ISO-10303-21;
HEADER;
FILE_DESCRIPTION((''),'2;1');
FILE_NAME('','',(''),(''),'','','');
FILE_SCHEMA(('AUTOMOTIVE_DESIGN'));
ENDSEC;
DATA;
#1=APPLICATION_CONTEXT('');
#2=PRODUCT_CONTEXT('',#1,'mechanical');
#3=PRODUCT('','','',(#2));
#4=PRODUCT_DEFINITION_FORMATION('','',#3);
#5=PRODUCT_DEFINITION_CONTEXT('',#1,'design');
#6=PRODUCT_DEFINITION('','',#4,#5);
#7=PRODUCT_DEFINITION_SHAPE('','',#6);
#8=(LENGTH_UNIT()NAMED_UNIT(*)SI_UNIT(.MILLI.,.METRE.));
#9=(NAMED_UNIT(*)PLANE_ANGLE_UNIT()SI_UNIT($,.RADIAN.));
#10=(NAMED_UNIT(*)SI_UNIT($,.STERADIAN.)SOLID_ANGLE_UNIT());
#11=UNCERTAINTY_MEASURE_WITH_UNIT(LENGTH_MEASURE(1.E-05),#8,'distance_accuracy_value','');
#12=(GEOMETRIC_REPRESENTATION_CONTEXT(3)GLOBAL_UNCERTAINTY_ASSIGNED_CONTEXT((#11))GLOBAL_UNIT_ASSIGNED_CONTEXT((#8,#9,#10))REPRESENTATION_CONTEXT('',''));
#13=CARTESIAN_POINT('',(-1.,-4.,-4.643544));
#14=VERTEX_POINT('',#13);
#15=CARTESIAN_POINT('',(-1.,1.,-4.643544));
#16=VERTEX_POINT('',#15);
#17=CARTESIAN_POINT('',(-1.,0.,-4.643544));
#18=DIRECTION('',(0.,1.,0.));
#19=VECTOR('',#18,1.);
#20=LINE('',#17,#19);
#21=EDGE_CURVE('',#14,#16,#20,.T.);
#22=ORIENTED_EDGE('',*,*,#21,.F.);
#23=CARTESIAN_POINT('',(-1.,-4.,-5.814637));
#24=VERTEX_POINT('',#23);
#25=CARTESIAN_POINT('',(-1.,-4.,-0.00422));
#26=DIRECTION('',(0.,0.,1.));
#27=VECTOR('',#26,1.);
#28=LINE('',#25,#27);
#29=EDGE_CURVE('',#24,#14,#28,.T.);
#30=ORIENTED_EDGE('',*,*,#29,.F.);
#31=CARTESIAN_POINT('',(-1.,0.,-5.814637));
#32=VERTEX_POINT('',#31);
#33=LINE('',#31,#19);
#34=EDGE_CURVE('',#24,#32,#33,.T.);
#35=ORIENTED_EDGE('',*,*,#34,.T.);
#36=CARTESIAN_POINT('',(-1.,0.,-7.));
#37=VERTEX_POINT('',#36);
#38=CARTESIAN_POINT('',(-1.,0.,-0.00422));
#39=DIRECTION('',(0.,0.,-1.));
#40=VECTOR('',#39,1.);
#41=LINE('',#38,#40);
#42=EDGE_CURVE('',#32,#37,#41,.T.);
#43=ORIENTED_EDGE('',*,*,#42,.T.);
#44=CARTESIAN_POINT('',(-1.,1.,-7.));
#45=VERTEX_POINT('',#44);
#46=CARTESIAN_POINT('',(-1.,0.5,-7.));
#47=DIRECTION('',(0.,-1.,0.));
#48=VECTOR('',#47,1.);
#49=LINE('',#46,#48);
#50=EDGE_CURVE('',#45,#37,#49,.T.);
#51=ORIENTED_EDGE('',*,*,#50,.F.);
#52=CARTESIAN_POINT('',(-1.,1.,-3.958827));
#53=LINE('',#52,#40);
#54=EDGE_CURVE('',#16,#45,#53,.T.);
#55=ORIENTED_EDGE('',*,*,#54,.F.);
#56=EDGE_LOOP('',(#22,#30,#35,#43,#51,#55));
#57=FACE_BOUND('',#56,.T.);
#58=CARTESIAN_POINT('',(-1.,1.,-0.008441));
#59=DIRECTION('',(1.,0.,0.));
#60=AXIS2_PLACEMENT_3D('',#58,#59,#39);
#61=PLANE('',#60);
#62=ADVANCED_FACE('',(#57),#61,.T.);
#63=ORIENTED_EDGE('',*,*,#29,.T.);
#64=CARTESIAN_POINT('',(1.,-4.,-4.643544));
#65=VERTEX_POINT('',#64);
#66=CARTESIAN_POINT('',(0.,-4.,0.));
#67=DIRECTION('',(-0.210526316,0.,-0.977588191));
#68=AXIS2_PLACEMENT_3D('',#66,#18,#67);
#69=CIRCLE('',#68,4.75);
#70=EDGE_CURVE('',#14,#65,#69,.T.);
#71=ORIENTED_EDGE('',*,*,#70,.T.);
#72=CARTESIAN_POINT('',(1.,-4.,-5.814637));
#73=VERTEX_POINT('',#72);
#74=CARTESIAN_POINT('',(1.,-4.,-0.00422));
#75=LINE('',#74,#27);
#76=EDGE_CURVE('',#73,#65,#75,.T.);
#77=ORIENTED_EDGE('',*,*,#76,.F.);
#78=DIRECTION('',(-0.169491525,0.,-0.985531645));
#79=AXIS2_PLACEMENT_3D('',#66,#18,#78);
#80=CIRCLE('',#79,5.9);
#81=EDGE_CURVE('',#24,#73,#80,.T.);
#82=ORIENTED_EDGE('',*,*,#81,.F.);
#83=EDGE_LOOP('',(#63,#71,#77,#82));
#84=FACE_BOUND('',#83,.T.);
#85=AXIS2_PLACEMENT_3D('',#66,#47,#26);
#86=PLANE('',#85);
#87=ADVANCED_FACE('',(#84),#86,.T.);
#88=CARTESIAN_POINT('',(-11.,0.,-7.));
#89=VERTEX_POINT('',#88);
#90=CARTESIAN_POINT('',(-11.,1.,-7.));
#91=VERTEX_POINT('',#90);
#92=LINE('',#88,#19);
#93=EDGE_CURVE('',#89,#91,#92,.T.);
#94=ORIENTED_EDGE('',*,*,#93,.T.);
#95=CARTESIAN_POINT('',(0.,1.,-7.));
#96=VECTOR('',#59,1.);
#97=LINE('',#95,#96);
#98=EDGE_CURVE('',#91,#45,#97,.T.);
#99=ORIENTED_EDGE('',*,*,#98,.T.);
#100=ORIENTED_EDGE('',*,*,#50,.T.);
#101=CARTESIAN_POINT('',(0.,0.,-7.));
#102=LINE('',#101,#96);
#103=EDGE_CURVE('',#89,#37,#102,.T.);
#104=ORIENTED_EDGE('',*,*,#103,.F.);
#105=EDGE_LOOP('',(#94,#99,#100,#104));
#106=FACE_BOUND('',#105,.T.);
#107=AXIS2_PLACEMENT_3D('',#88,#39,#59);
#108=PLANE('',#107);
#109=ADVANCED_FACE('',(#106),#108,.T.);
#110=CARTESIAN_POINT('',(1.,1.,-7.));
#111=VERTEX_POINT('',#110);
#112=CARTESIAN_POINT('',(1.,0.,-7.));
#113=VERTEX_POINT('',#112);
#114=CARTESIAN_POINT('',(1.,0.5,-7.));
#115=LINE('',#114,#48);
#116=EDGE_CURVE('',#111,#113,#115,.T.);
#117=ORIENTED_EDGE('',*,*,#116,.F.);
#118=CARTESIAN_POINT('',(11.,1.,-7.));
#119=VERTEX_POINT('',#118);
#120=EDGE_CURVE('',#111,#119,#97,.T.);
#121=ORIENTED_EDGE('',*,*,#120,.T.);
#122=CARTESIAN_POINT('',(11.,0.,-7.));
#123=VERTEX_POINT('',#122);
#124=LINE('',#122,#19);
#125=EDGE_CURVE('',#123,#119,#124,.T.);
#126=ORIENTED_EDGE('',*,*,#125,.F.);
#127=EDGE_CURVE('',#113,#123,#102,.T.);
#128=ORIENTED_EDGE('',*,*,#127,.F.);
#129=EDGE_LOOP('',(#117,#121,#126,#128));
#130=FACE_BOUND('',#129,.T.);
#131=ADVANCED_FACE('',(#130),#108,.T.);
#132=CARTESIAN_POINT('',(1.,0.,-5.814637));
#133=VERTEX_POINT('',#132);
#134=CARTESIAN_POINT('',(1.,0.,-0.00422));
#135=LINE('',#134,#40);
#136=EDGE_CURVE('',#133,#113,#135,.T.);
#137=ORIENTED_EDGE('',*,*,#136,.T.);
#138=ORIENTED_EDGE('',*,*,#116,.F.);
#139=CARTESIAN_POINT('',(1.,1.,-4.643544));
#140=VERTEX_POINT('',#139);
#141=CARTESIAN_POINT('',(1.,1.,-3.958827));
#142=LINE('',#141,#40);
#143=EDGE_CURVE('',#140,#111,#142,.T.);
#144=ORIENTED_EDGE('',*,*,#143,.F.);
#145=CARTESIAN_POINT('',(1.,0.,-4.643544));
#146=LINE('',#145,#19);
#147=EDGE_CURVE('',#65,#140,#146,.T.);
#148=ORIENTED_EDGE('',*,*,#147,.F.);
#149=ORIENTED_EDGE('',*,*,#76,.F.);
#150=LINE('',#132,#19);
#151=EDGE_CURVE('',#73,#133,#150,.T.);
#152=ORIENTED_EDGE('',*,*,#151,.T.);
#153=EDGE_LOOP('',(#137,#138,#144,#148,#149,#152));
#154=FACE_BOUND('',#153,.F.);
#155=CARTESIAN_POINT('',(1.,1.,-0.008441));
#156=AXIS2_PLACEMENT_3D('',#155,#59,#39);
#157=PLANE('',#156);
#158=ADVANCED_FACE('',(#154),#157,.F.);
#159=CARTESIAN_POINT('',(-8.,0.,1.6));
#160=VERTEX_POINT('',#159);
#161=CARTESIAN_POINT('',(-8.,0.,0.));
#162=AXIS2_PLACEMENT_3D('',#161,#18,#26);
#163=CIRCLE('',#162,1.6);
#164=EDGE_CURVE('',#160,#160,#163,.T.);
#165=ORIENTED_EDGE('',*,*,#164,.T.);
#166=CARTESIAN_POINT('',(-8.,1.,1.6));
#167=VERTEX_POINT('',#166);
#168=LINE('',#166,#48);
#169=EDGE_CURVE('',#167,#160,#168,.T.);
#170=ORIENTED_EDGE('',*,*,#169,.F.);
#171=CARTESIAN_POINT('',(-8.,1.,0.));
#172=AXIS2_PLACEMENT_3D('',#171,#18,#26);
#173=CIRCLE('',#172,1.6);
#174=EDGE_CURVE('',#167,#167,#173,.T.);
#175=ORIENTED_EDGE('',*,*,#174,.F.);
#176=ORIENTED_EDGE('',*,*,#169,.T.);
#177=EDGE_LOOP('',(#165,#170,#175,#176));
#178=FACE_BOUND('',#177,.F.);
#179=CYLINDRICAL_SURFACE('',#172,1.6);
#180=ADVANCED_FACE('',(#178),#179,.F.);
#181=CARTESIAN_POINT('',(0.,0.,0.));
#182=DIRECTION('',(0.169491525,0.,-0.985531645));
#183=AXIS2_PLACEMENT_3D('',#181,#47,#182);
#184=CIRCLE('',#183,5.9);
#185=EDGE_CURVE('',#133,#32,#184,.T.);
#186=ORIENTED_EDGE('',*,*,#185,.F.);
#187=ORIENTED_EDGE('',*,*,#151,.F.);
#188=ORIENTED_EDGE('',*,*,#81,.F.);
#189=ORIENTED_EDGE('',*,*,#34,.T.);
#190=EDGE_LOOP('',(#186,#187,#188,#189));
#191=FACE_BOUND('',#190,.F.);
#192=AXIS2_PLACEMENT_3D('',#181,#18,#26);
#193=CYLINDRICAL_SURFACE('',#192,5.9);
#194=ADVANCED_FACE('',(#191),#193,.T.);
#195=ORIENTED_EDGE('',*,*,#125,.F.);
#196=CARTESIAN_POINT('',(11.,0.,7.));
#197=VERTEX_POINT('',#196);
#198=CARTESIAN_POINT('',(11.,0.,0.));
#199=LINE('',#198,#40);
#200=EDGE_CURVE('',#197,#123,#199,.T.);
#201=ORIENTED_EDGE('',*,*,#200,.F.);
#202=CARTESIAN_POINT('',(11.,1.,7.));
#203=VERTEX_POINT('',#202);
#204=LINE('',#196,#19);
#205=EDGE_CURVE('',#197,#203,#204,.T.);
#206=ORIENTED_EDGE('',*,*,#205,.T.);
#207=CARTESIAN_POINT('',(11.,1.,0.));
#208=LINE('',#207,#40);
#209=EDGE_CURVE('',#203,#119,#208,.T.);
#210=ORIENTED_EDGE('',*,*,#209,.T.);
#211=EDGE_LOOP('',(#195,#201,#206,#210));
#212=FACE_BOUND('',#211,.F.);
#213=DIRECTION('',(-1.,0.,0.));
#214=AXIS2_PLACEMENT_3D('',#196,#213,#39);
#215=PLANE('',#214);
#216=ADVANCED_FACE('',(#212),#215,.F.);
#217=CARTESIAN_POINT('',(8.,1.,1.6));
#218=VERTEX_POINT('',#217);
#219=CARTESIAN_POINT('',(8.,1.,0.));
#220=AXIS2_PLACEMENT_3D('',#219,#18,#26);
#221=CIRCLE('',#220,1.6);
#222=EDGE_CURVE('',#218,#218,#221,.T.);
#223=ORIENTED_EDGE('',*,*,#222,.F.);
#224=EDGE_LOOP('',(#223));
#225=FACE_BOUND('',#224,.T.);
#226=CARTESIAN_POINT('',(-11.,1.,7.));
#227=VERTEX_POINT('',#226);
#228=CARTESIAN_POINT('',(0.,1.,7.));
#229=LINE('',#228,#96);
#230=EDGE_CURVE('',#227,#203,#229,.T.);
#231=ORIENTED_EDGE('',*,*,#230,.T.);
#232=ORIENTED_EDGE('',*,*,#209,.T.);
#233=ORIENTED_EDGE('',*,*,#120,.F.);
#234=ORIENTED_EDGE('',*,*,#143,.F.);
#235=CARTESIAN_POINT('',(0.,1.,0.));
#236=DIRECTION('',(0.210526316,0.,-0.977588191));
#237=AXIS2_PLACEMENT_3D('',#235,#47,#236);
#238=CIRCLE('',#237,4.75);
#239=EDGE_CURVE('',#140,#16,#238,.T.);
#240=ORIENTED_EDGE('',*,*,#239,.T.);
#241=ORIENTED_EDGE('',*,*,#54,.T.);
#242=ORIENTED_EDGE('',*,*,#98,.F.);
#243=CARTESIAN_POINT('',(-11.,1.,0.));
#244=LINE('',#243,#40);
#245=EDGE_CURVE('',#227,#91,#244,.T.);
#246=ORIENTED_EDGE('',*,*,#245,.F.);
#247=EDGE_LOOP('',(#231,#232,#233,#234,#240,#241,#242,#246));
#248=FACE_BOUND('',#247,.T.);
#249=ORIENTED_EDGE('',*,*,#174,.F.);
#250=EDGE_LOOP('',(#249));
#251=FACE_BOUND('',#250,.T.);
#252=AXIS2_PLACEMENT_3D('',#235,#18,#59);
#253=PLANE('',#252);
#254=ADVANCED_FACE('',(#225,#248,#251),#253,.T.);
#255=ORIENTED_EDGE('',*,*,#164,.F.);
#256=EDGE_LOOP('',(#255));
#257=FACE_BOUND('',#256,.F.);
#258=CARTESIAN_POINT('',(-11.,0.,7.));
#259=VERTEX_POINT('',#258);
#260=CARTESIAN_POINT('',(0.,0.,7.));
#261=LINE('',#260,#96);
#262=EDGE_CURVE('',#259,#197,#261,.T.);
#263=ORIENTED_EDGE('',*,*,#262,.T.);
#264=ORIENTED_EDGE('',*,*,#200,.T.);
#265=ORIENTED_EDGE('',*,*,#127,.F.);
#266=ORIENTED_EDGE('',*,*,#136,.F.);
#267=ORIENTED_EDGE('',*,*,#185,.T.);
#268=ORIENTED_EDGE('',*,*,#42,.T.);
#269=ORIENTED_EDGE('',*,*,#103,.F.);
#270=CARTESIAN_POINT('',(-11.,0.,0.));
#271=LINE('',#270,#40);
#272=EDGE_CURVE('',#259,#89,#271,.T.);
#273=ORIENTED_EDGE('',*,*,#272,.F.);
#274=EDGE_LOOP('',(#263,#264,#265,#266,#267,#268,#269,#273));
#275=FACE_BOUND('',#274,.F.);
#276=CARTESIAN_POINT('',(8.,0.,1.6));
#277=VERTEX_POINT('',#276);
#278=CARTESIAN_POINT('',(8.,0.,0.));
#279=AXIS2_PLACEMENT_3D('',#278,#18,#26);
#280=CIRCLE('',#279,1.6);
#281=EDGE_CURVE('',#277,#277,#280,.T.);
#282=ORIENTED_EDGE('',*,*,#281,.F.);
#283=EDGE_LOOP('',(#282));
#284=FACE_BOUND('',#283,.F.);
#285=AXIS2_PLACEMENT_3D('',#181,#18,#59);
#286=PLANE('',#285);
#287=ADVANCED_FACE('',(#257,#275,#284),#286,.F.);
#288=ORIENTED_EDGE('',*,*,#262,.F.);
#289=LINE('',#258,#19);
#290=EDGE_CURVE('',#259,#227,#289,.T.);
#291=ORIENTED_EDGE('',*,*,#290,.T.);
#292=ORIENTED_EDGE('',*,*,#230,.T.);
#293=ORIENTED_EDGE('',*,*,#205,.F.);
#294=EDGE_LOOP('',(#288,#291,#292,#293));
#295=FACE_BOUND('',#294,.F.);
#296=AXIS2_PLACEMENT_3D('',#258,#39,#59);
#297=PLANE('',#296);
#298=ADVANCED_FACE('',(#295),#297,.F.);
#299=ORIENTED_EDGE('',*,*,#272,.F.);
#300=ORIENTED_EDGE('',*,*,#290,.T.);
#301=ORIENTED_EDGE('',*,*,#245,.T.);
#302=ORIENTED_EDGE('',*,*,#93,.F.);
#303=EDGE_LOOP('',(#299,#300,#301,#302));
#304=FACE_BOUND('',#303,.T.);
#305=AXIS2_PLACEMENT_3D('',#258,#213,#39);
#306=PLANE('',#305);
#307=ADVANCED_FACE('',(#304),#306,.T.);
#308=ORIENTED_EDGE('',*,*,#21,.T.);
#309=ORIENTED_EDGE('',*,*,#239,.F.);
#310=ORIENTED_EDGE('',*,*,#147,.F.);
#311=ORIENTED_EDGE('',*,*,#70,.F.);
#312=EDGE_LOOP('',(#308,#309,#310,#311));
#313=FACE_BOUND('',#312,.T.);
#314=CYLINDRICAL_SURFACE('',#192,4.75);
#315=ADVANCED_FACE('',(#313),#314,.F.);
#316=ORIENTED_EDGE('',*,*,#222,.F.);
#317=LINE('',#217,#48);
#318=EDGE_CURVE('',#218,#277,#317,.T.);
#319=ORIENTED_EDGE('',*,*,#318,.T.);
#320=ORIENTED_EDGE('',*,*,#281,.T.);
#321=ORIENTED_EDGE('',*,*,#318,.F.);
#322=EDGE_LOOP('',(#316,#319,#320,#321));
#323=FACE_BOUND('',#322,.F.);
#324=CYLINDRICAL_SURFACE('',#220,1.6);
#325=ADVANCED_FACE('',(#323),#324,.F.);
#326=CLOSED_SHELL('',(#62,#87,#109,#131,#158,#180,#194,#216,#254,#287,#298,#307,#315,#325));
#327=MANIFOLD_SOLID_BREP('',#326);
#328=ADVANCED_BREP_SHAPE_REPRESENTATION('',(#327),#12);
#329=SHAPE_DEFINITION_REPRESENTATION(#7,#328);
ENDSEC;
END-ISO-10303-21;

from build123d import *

# Parameters (mm, degrees)
SKETCH_1_W          = 22
SKETCH_1_H          = 14
EXTRUDE_1_DEPTH     = 1
SKETCH_2_R          = 4.75
CUT_EXTRUDE_1_DEPTH = 14.076696831
SKETCH_3_R          = 5.9
SKETCH_3_R_2        = 4.75
EXTRUDE_2_DEPTH     = 4
SKETCH_4_R          = 1.6
CUT_EXTRUDE_2_DEPTH = 1
SKETCH_5_W          = 2
SKETCH_5_H          = 7.900772946
CUT_EXTRUDE_3_DEPTH = 10


with BuildPart() as part:
    # 草图1 → 凸台-拉伸1 (new body)
    with BuildSketch(Plane(origin=(0, 0, 0), x_dir=(1, 0, 0), z_dir=(0, 1, 0))):
        Rectangle(SKETCH_1_W, SKETCH_1_H)
    extrude(amount=EXTRUDE_1_DEPTH)

    # 草图2 → 切除-拉伸1 (cut, through all)
    with BuildSketch(Plane(origin=(0, 1, 0), x_dir=(1, 0, 0), z_dir=(0, 1, 0))):
        with Locations(Location((0, 0, 0), (0, 0, 270))):
            Circle(SKETCH_2_R)
    extrude(amount=-CUT_EXTRUDE_1_DEPTH, mode=Mode.SUBTRACT)

    # 草图3 → 凸台-拉伸2 (add)
    with BuildSketch(Plane(origin=(0, 0, 0), x_dir=(-1, 0, 0), z_dir=(0, -1, 0))):
        with Locations(Location((0, 0, 0), (0, 0, 270))):
            Circle(SKETCH_3_R)
        with Locations(Location((0, 0, 0), (0, 0, 270))):
            Circle(SKETCH_3_R_2, mode=Mode.SUBTRACT)
    extrude(amount=EXTRUDE_2_DEPTH)

    # 草图4 → 切除-拉伸2 (cut)
    with BuildSketch(Plane(origin=(0, 1, 0), x_dir=(1, 0, 0), z_dir=(0, 1, 0))):
        with Locations(Location((8, 0, 0), (0, 0, 270))):
            Circle(SKETCH_4_R)
        with Locations(Location((-8, 0, 0), (0, 0, 270))):
            Circle(SKETCH_4_R)
    extrude(amount=-CUT_EXTRUDE_2_DEPTH, mode=Mode.SUBTRACT)

    # 草图5 → 切除-拉伸3 (cut)
    with BuildSketch(Plane(origin=(0, 1, 0), x_dir=(1, 0, 0), z_dir=(0, 1, 0))):
        with Locations((0, 3.95882741)):
            Rectangle(SKETCH_5_W, SKETCH_5_H)
    extrude(amount=-CUT_EXTRUDE_3_DEPTH, mode=Mode.SUBTRACT)


solid = part.part
